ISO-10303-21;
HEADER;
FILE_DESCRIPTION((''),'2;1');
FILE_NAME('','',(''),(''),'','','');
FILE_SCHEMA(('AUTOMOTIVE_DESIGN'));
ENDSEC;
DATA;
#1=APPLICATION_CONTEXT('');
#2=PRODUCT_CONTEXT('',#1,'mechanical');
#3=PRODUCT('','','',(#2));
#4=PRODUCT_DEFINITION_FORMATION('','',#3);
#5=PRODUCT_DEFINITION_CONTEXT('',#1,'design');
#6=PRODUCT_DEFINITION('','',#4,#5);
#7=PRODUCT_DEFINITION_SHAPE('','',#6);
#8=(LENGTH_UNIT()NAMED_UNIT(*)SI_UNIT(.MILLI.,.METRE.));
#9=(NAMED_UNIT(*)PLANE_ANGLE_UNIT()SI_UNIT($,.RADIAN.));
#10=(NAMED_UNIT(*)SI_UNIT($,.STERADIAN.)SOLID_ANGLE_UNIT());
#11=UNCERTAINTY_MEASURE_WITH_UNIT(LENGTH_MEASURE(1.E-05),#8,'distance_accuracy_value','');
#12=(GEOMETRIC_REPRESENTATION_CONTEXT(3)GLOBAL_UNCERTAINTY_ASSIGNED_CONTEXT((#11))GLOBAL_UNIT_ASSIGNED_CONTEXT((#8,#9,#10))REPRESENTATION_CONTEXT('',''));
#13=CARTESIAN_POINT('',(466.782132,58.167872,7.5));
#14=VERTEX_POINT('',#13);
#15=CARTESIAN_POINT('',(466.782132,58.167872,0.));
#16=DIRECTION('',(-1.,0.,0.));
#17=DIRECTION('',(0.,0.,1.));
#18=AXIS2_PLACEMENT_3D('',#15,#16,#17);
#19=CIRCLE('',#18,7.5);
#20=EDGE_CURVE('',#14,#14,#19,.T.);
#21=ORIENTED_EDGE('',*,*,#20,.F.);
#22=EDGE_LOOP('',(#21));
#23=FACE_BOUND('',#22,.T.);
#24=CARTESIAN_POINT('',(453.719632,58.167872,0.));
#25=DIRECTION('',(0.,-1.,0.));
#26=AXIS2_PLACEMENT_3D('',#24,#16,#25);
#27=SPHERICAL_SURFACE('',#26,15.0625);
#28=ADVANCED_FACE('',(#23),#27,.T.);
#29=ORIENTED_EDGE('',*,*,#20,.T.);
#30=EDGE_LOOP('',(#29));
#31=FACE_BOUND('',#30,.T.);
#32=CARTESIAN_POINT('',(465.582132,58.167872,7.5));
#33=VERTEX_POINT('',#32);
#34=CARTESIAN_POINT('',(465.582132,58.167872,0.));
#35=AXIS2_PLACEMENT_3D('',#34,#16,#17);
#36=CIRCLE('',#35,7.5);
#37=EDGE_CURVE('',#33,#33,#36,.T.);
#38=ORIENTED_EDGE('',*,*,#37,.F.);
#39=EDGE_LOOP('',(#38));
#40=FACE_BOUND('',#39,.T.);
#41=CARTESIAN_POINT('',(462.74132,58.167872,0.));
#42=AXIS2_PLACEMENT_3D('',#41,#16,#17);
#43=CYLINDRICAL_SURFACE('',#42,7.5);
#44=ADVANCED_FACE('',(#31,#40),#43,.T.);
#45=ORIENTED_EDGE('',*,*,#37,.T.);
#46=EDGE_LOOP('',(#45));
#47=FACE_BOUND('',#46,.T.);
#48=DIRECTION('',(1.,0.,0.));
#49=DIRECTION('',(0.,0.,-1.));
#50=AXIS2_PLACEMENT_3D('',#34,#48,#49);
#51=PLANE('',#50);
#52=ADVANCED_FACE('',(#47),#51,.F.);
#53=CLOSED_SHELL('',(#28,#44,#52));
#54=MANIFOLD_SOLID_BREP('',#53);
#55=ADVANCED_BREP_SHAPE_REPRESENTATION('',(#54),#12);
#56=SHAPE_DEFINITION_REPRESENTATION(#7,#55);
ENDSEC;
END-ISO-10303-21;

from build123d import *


with BuildPart() as part:
    # 草图1 → 旋转1 (revolve)
    with BuildSketch(Plane.XY, mode=Mode.PRIVATE) as revolve_1_sk:
        with BuildLine():
            Line((465.582132457, 58.167871727), (465.582132457, 65.667871727))
            Line((465.582132457, 65.667871727), (466.782132457, 65.667871727))
            ThreePointArc((466.782132457, 65.667871727), (468.273546235, 62.048915401), (468.782132457, 58.167871727))
            Line((468.782132457, 58.167871727), (465.582132457, 58.167871727))
        make_face()
    revolve(revolve_1_sk.sketch.rotate(Axis((462.741320326, 58.167871727, 0), (1, 0, 0)), 180), axis=Axis((462.741320326, 58.167871727, 0), (1, 0, 0)))  # turned: the seam where the file's is


solid = part.part
